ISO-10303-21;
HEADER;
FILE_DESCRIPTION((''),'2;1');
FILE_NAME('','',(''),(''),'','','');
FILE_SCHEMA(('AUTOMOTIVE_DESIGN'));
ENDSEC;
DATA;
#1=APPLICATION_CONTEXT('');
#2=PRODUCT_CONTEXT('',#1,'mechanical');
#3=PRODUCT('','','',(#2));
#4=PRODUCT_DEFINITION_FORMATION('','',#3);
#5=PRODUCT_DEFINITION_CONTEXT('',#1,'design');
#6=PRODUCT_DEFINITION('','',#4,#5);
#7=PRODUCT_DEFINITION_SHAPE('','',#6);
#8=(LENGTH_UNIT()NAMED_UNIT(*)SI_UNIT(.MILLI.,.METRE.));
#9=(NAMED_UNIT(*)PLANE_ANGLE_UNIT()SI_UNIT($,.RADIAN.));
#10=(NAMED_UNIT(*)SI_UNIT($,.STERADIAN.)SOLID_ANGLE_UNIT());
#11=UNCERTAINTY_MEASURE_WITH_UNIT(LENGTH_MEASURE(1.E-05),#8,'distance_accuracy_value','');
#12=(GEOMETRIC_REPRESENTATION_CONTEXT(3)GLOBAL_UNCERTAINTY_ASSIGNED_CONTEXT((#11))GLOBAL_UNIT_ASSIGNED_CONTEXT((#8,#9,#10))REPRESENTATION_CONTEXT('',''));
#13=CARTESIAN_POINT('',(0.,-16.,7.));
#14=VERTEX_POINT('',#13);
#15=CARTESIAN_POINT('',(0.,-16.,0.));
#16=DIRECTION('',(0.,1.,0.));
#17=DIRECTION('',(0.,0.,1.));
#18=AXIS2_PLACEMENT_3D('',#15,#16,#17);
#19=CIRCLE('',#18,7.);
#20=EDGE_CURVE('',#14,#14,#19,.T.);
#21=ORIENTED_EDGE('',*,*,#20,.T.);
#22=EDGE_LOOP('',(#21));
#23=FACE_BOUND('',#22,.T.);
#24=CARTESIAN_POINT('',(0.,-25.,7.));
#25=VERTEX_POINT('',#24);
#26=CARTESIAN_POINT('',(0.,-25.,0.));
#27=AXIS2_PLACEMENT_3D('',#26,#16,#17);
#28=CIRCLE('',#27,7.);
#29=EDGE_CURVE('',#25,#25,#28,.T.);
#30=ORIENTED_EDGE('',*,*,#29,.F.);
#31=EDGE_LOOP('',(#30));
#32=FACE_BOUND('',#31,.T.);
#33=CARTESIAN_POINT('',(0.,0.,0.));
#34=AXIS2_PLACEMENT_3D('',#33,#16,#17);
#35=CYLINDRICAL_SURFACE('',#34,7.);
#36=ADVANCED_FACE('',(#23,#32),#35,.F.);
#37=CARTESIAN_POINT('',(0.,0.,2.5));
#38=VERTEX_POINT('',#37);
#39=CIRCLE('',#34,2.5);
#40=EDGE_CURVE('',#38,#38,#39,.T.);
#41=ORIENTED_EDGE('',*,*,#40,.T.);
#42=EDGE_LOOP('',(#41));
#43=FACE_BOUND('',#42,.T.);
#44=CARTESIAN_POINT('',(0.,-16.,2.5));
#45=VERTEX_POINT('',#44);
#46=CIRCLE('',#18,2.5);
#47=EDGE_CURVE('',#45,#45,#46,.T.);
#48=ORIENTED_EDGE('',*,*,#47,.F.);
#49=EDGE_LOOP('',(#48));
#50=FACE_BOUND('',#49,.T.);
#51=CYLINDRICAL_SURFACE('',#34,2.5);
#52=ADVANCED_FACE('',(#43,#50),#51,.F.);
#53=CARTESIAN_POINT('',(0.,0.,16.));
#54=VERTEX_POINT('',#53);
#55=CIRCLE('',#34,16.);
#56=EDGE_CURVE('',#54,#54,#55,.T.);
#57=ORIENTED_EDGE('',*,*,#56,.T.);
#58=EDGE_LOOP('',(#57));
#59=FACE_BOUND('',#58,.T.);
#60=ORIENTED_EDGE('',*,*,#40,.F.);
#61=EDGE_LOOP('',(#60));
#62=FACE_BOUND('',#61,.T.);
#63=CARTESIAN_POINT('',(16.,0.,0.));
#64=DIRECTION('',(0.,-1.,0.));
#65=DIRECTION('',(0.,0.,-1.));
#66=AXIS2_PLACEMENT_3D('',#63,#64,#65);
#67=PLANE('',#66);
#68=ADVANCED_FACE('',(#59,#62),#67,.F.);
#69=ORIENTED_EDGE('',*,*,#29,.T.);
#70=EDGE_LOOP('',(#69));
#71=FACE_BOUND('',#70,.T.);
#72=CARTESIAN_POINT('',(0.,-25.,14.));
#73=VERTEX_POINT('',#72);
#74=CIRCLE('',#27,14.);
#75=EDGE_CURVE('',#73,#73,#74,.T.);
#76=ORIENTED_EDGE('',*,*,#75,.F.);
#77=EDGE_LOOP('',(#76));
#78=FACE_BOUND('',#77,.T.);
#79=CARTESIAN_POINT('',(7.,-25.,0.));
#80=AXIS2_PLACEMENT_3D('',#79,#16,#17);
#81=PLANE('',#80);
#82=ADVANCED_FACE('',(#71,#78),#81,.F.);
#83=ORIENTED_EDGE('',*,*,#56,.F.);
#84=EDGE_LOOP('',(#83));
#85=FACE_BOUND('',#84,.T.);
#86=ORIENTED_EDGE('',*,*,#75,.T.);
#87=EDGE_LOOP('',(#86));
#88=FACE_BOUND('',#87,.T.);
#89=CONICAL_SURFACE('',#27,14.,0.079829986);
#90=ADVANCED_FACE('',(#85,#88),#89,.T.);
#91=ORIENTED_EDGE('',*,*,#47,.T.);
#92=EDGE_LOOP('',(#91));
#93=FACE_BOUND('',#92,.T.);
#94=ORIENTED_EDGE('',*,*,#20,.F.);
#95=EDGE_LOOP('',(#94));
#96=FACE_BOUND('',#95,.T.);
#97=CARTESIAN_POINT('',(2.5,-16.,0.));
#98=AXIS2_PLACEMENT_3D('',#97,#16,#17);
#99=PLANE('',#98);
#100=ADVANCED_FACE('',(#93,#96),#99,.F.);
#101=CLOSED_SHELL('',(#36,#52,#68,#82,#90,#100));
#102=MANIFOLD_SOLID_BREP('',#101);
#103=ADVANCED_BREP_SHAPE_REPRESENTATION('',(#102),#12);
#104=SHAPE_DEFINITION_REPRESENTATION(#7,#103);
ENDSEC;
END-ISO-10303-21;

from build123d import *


with BuildPart() as part:
    # Sketch1 → Revolve1 (revolve)
    with BuildSketch(Plane.XY, mode=Mode.PRIVATE) as revolve1_sk:
        Polygon((2.5, 0), (2.5, -16), (7, -16), (7, -25), (14, -25), (16, 0), align=None)
    revolve(revolve1_sk.sketch.rotate(Axis((0, 0, 0), (0, -1, 0)), 90), axis=Axis((0, 0, 0), (0, -1, 0)))


solid = part.part
